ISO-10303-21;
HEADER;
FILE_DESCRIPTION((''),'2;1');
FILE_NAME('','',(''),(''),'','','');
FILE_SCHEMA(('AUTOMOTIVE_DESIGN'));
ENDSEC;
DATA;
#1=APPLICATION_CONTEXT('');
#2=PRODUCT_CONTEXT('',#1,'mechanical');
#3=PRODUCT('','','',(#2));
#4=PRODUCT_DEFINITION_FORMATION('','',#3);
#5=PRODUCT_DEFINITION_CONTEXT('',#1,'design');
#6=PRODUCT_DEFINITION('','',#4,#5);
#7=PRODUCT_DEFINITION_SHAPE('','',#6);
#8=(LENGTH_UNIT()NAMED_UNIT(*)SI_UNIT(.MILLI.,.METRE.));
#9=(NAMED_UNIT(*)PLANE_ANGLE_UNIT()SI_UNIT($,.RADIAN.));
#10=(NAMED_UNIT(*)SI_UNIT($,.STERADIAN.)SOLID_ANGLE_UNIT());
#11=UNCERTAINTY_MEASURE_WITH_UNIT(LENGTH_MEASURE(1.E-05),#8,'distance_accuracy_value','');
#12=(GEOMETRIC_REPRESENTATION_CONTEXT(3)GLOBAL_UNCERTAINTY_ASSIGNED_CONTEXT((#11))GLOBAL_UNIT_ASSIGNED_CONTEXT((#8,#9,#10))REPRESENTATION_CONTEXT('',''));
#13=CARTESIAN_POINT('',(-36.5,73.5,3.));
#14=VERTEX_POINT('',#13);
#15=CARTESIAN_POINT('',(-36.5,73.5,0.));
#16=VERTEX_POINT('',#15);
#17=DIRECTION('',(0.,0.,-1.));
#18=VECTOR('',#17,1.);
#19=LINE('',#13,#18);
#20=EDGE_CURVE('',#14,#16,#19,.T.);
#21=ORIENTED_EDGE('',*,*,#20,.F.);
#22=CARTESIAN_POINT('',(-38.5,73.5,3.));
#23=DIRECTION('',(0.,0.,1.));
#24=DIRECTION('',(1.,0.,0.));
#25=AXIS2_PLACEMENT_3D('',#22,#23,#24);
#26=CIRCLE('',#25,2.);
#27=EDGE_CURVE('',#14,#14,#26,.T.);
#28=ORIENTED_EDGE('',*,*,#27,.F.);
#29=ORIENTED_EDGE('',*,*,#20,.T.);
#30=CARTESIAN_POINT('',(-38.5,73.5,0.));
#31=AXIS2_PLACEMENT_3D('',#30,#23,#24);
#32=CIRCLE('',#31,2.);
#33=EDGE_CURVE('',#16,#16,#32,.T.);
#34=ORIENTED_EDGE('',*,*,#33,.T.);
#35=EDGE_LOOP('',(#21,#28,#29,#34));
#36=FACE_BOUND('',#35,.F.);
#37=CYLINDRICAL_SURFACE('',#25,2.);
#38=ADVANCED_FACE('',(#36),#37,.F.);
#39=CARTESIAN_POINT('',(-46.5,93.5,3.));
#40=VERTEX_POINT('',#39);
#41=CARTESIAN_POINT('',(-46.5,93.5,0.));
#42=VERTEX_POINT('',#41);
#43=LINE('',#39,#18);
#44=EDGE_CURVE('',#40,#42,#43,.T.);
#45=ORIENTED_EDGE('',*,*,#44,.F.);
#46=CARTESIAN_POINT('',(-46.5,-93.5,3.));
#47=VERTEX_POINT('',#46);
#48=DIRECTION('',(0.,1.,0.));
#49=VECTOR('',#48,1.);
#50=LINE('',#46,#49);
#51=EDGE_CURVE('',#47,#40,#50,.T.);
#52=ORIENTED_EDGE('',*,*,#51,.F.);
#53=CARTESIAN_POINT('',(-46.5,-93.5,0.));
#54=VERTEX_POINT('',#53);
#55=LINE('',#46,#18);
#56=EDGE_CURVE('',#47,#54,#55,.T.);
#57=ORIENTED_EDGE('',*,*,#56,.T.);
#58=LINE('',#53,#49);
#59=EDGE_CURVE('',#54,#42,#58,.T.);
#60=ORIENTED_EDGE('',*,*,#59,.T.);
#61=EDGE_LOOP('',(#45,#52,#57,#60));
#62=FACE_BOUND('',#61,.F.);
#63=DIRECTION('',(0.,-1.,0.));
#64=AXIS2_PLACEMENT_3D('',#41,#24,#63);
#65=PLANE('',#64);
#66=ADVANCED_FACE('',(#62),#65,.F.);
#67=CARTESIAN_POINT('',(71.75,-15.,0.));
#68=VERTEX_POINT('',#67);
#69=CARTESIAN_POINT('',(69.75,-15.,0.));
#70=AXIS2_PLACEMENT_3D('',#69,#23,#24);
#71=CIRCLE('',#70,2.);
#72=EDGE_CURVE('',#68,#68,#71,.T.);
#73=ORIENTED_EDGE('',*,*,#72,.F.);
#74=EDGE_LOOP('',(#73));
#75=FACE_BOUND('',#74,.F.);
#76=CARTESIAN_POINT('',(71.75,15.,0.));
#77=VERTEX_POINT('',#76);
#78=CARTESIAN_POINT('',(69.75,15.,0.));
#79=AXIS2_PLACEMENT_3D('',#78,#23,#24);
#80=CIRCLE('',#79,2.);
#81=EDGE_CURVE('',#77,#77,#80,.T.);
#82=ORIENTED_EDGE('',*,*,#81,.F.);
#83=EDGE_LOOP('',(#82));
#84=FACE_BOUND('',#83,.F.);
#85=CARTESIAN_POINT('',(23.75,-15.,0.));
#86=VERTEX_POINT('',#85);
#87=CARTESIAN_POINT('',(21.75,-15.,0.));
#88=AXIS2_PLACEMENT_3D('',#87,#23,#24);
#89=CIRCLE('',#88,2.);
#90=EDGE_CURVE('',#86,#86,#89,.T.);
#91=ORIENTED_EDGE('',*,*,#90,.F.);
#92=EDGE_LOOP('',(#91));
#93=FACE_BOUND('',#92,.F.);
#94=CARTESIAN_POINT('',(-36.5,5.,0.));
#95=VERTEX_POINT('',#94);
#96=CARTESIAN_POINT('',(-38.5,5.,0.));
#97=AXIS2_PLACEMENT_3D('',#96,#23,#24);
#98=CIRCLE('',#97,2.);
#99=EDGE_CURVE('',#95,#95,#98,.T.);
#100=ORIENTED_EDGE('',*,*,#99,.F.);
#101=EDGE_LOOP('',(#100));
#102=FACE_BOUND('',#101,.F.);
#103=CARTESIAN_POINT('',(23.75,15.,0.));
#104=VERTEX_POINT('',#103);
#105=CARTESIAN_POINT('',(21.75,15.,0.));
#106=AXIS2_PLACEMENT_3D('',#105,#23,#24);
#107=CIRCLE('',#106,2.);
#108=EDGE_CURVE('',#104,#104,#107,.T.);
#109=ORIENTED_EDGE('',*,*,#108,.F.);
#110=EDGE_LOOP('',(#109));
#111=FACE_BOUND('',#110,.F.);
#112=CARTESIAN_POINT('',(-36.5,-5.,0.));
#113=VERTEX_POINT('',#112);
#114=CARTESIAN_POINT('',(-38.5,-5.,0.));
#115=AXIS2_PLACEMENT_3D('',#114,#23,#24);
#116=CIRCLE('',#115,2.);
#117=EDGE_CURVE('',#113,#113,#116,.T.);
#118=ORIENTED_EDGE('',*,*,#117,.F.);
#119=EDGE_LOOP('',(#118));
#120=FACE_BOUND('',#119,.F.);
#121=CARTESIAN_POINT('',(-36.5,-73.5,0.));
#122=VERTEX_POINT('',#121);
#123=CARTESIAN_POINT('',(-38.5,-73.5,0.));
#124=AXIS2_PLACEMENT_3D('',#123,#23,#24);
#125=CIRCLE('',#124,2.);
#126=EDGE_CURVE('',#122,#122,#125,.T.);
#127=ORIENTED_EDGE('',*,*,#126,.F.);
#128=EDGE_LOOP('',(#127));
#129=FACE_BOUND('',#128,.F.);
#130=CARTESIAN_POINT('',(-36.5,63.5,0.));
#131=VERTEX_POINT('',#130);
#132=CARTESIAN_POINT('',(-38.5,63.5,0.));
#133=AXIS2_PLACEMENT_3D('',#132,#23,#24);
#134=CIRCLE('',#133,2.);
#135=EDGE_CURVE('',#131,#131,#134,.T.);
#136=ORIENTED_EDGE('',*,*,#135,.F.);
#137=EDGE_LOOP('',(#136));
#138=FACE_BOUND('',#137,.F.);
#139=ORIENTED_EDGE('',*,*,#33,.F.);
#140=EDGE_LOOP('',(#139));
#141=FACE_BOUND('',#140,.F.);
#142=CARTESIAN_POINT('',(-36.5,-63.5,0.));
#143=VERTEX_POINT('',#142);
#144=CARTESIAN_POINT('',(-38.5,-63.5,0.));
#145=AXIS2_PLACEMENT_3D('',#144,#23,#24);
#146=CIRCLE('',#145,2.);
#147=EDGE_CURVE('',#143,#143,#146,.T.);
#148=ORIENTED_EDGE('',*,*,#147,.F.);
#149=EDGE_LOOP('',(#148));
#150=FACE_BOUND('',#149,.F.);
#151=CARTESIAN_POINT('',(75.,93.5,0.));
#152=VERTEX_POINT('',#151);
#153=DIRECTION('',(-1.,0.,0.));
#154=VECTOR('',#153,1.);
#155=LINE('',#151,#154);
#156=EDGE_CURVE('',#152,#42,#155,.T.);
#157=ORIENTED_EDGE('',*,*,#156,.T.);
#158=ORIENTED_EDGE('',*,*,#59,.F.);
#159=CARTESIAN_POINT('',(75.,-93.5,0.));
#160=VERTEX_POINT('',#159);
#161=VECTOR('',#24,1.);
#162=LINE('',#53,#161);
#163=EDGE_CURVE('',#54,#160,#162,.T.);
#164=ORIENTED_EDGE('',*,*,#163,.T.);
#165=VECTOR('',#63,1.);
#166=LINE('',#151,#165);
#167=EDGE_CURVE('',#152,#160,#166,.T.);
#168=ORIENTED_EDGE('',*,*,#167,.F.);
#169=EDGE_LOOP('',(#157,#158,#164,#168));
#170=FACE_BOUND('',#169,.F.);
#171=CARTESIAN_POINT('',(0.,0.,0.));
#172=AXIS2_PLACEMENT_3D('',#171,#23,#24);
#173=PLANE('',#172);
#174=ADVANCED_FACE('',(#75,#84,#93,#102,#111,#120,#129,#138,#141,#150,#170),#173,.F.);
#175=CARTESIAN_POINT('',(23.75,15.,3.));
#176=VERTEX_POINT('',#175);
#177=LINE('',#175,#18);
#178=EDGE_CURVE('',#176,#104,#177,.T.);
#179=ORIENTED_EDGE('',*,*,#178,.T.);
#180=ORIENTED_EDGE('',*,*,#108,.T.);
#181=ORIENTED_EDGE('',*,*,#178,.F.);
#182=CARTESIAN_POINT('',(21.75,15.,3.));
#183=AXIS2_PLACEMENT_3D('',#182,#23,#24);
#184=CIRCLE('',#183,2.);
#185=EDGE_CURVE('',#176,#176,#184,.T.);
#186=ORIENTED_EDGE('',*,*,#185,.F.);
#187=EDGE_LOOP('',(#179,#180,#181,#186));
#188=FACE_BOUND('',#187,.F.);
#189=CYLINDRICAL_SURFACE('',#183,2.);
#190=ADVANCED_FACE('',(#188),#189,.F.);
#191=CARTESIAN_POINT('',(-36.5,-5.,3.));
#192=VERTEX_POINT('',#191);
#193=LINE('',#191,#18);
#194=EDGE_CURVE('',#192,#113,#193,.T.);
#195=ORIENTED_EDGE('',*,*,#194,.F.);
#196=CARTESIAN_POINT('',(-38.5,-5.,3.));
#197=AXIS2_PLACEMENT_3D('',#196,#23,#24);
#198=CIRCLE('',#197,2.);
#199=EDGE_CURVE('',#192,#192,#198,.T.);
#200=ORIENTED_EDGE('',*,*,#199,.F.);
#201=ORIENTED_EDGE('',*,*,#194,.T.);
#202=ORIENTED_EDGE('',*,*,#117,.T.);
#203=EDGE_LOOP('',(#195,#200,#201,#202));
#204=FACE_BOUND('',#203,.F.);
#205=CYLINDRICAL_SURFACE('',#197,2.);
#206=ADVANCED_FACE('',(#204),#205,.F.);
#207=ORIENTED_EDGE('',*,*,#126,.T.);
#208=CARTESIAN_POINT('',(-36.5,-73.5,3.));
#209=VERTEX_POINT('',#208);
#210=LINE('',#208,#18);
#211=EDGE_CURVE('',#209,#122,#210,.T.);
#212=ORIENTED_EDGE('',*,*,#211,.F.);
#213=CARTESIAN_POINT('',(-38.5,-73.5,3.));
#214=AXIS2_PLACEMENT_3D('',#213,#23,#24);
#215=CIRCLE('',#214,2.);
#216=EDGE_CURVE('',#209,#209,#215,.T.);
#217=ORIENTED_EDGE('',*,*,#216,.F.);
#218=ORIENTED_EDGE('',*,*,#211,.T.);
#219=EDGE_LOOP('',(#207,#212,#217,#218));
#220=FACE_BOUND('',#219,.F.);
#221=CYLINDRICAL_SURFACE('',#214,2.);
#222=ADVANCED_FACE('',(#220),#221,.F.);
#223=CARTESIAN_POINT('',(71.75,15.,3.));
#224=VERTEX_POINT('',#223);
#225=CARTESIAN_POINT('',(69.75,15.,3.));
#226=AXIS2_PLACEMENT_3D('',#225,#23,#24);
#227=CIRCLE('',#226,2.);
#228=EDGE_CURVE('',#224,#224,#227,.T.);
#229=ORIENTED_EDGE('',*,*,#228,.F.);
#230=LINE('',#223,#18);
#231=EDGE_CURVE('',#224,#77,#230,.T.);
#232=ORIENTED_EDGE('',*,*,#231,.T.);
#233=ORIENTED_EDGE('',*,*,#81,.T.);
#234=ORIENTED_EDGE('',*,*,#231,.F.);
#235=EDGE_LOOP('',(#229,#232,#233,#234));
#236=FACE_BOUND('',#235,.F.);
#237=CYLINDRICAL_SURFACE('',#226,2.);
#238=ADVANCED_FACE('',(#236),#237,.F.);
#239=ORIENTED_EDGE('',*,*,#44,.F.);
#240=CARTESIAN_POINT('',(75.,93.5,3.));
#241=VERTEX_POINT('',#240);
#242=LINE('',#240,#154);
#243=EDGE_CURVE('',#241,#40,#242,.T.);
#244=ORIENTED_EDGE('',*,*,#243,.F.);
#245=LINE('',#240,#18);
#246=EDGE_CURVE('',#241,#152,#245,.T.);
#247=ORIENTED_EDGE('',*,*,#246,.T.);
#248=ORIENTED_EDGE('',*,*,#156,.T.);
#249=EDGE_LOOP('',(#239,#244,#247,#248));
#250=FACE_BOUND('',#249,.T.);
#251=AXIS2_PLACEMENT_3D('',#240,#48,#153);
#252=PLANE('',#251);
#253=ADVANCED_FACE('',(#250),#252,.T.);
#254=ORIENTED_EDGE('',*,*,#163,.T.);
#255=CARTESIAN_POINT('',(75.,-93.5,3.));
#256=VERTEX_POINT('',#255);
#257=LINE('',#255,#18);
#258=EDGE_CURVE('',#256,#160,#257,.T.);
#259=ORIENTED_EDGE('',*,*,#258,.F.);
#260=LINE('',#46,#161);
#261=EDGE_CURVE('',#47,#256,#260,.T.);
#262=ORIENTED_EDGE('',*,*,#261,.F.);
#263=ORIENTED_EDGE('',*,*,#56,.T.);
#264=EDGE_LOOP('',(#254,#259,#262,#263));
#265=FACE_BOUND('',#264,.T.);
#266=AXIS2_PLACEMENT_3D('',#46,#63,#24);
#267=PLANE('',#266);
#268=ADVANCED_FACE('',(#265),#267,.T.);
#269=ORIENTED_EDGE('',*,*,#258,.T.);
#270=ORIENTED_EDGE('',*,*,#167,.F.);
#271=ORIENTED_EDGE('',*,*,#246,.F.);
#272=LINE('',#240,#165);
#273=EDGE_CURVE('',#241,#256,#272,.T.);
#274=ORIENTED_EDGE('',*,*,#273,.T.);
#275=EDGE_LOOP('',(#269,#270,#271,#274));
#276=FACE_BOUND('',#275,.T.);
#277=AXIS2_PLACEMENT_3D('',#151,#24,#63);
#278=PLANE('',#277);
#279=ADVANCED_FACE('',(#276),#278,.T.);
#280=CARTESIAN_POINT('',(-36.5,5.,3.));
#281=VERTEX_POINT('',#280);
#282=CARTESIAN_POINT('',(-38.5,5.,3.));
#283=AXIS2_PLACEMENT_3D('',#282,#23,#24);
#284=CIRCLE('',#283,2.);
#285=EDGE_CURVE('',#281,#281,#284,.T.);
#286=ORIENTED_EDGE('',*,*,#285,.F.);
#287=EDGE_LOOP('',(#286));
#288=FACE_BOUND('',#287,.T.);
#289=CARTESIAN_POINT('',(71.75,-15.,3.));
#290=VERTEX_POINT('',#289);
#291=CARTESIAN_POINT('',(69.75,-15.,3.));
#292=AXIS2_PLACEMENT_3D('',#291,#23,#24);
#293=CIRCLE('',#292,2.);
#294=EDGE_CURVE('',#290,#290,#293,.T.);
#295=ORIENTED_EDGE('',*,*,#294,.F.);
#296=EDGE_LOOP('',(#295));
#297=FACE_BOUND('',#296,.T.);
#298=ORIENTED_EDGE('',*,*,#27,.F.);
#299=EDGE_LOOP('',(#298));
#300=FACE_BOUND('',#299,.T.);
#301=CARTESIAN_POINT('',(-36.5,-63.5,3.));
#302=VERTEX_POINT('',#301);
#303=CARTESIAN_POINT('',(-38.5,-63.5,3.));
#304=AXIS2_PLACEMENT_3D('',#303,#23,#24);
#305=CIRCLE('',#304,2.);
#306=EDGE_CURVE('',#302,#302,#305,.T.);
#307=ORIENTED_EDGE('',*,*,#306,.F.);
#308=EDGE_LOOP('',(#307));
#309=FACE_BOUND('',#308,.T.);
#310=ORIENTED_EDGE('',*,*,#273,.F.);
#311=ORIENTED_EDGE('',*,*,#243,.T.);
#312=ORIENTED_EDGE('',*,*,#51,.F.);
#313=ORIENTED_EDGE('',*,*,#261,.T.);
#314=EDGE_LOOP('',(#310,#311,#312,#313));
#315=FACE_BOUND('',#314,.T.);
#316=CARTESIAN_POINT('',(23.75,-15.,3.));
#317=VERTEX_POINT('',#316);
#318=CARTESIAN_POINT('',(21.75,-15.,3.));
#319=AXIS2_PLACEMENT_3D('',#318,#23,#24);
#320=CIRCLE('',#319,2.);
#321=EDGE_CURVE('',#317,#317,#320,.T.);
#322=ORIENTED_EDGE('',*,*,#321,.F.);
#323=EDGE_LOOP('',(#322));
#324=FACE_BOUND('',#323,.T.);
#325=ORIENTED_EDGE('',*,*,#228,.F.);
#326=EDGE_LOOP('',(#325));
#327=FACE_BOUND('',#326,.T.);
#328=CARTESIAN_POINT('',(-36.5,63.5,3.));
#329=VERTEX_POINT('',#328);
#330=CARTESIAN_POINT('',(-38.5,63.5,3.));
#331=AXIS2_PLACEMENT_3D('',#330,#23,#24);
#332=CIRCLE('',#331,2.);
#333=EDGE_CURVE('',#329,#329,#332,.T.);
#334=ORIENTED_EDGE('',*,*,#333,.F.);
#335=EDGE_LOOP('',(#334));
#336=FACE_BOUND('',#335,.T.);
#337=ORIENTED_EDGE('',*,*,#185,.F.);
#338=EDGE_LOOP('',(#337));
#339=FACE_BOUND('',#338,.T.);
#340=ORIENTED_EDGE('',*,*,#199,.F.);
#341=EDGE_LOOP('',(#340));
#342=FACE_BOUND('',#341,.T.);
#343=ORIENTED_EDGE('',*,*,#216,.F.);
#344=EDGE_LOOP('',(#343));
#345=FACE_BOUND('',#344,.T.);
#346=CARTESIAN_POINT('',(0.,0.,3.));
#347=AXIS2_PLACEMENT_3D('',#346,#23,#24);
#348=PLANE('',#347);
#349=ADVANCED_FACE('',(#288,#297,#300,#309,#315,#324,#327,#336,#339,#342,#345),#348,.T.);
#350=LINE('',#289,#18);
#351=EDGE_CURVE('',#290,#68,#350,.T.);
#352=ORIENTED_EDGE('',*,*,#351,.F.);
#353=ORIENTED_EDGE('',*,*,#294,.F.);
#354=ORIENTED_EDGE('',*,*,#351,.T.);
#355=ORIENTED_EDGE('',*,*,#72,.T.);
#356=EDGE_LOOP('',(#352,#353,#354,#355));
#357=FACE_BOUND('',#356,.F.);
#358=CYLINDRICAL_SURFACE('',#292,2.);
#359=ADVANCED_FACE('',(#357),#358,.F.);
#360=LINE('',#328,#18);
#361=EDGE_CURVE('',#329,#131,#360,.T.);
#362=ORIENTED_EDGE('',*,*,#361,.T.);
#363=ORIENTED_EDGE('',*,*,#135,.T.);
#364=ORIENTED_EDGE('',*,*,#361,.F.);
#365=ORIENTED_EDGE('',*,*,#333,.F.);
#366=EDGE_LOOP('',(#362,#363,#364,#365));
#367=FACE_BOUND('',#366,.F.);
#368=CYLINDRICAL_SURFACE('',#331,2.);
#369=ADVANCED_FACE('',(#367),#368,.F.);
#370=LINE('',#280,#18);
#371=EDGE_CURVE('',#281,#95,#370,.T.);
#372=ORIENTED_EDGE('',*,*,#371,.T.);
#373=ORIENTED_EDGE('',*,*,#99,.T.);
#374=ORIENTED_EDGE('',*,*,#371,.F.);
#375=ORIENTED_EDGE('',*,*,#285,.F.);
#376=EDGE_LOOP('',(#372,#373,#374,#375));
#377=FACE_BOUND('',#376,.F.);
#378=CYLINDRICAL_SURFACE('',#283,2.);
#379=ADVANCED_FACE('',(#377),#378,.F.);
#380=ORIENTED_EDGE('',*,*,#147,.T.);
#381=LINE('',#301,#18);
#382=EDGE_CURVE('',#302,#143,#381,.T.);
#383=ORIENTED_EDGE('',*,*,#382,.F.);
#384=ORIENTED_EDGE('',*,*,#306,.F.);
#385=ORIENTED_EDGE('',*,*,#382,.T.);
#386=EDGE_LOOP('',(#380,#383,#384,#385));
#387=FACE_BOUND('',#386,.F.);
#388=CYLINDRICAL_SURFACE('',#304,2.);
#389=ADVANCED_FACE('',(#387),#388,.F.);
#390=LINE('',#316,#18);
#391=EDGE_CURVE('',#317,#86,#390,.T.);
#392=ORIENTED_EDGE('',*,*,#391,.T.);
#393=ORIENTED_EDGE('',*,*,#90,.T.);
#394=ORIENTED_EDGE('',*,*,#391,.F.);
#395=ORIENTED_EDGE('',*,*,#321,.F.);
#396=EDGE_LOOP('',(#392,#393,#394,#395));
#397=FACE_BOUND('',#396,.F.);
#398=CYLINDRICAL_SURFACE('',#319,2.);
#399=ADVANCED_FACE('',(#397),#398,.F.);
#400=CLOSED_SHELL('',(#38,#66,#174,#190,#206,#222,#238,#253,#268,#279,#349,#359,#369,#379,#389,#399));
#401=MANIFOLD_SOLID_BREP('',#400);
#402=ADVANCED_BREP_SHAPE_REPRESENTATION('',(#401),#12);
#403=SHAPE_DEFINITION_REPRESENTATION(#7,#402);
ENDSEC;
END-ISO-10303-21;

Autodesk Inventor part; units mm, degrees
ref_plane "YZ Plane" through (0, 0, 0) normal (1, 0, 0) x (0, 1, 0)
ref_plane "XZ Plane" through (0, 0, 0) normal (0, 1, 0) x (-1, 0, 0)
ref_plane "XY Plane" through (0, 0, 0) normal (0, 0, 1) x (1, 0, 0)
sketch "Sketch1" plane through (0, 0, 0) normal (0, 0, 1) x (1, 0, 0)
  line L0 (-90.5, -90.5) -> (90.5, -90.5)
  line L1 (90.5, -90.5) -> (90.5, 90.5)
  line L2 (90.5, 90.5) -> (-90.5, 90.5)
  line L3 (-90.5, 90.5) -> (-90.5, -90.5)
  line L4 (-90.5, -90.5) -> (90.5, 90.5) construction
  line L5 (90.5, -90.5) -> (-90.5, 90.5) construction
  point P0 (0, 0)
  dimension "d0" = 181
  dimension "d1" = 181
extrude "Extrusion1" add sketch "Sketch1" along normal blind 3
sketch "Sketch3" plane through (0, 0, 3) normal (0, 0, 1) x (1, 0, 0)
  line L0 (-90.5, 90.5) -> (-90.5, -90.5) projected
  line L1 (-90.5, 82.5) -> (-87.5, 82.5)
  line L2 (-87.5, 82.5) -> (-87.5, 67.5)
  line L3 (-87.5, 67.5) -> (-90.5, 67.5)
  line L4 (-90.5, 67.5) -> (-90.5, 82.5)
  line L5 (-85, 93.5) -> (-90.5, 93.5) projected
  line L6 (-90.5, 52.5) -> (-87.5, 52.5)
  line L7 (-87.5, 52.5) -> (-87.5, 37.5)
  line L8 (-87.5, 37.5) -> (-90.5, 37.5)
  line L9 (-90.5, 37.5) -> (-90.5, 52.5)
  line L10 (-90.5, 22.5) -> (-87.5, 22.5)
  line L11 (-87.5, 22.5) -> (-87.5, 7.5)
  line L12 (-87.5, 7.5) -> (-90.5, 7.5)
  line L13 (-90.5, 7.5) -> (-90.5, 22.5)
  line L14 (-90.5, -7.5) -> (-87.5, -7.5)
  line L15 (-87.5, -7.5) -> (-87.5, -22.5)
  line L16 (-87.5, -22.5) -> (-90.5, -22.5)
  line L17 (-90.5, -22.5) -> (-90.5, -7.5)
  line L18 (-90.5, -37.5) -> (-87.5, -37.5)
  line L19 (-87.5, -37.5) -> (-87.5, -52.5)
  line L20 (-87.5, -52.5) -> (-90.5, -52.5)
  line L21 (-90.5, -52.5) -> (-90.5, -37.5)
  line L22 (-90.5, -67.5) -> (-87.5, -67.5)
  line L23 (-87.5, -67.5) -> (-87.5, -82.5)
  line L24 (-87.5, -82.5) -> (-90.5, -82.5)
  line L25 (-90.5, -82.5) -> (-90.5, -67.5)
  line L26 (87.5, 82.5) -> (90.5, 82.5)
  line L27 (90.5, 82.5) -> (90.5, 67.5)
  line L28 (90.5, 67.5) -> (87.5, 67.5)
  line L29 (87.5, 67.5) -> (87.5, 82.5)
  line L30 (87.5, 52.5) -> (90.5, 52.5)
  line L31 (90.5, 52.5) -> (90.5, 37.5)
  line L32 (90.5, 37.5) -> (87.5, 37.5)
  line L33 (87.5, 37.5) -> (87.5, 52.5)
  line L34 (87.5, 22.5) -> (90.5, 22.5)
  line L35 (90.5, 22.5) -> (90.5, 7.5)
  line L36 (90.5, 7.5) -> (87.5, 7.5)
  line L37 (87.5, 7.5) -> (87.5, 22.5)
  line L38 (87.5, -7.5) -> (90.5, -7.5)
  line L39 (90.5, -7.5) -> (90.5, -22.5)
  line L40 (90.5, -22.5) -> (87.5, -22.5)
  line L41 (87.5, -22.5) -> (87.5, -7.5)
  line L42 (87.5, -37.5) -> (90.5, -37.5)
  line L43 (90.5, -37.5) -> (90.5, -52.5)
  line L44 (90.5, -52.5) -> (87.5, -52.5)
  line L45 (87.5, -52.5) -> (87.5, -37.5)
  line L46 (87.5, -67.5) -> (90.5, -67.5)
  line L47 (90.5, -67.5) -> (90.5, -82.5)
  line L48 (90.5, -82.5) -> (87.5, -82.5)
  line L49 (87.5, -82.5) -> (87.5, -67.5)
  point P0 (0, 0)
  point P1 (-90.5, -93.5)
  dimension "d27" = 3
  dimension "d28" = 15
  dimension "d29" = 11
  dimension "d32" = 30
  dimension "d35" = 178
extrude "Extrusion3" cut sketch "Sketch3" against normal blind 3
sketch "Sketch4" plane through (0, 0, 3) normal (0, 0, 1) x (1, 0, 0)
  line L0 (80, 93.5) -> (85.5, 93.5) projected
  line L1 (90.5, 90.5) -> (-90.5, 90.5) projected
  line L2 (85.5, 93.5) -> (90.5, 93.5)
  line L3 (90.5, 93.5) -> (90.5, 90.5)
  line L4 (90.5, 90.5) -> (85.5, 90.5)
  line L5 (85.5, 90.5) -> (85.5, 93.5)
  line L6 (-90.5, -90.5) -> (90.5, -90.5) projected
  line L7 (85.5, -90.5) -> (90.5, -90.5)
  line L8 (90.5, -90.5) -> (90.5, -93.5)
  line L9 (90.5, -93.5) -> (85.5, -93.5)
  line L10 (85.5, -93.5) -> (85.5, -90.5)
  point P0 (0, 0)
  point P1 (85.5, 90.5)
  dimension "d40" = 184
extrude "Extrusion4" add sketch "Sketch4" against normal blind 3
sketch "Sketch6" plane through (0, 0, 0) normal (0, 0, -1) x (-1, 0, 0)
  line L0 (-90.5, 82.5) -> (-90.5, 93.5) projected
  line L1 (-90.5, 93.5) -> (-75, 93.5)
  line L2 (-75, 93.5) -> (-75, -93.5)
  line L3 (-75, -93.5) -> (-90.5, -93.5)
  line L4 (-90.5, -93.5) -> (-90.5, 93.5)
  line L5 (85, 93.5) -> (90.5, 93.5) projected
  line L6 (90.5, 93.5) -> (46.5, 93.5)
  line L7 (46.5, 93.5) -> (46.5, -93.5)
  line L8 (46.5, -93.5) -> (90.5, -93.5)
  line L9 (90.5, -93.5) -> (90.5, 93.5)
  point P0 (0, 0)
  dimension "d47" = 15.5
  dimension "d48" = 44
  dimension "d49" = 187
  dimension "d50" = 187
extrude "Extrusion6" cut sketch "Sketch6" against normal blind 10
sketch "Sketch7" plane through (0, 0, 3) normal (0, 0, 1) x (1, 0, 0)
  circle A0 centre (-38.5, 73.5) radius 2
  circle A1 centre (-38.5, 63.5) radius 2
  circle A2 centre (-38.5, 5) radius 2
  circle A3 centre (-38.5, -5) radius 2
  circle A4 centre (-38.5, -63.5) radius 2
  circle A5 centre (-38.5, -73.5) radius 2
  line L0 (-40, 93.5) -> (-25, 93.5) projected
  line L1 (-25, -93.5) -> (-40, -93.5) projected
  line L2 (-46.5, 90.5) -> (-46.5, -90.5) projected
  point P0 (0, 0)
  dimension "d53" = 4
  dimension "d54" = 4
  dimension "d55" = 4
  dimension "d56" = 4
  dimension "d57" = 4
  dimension "d58" = 4
  dimension "d59" = 0
  dimension "d60" = 0
  dimension "d61" = 0
  dimension "d62" = 10
  dimension "d63" = 10
  dimension "d64" = 10
  dimension "d65" = 20
  dimension "d66" = 20
  dimension "d67" = 8
  dimension "d68" = 8
  dimension "d69" = 8
  dimension "d70" = 5
extrude "Extrusion7" cut sketch "Sketch7" against normal blind 10
sketch "Sketch8" plane through (0, 0, 3) normal (0, 0, 1) x (1, 0, 0)
  line L0 (-46.5, 90.5) -> (75, 90.5)
  line L1 (75, 90.5) -> (75, 93.5)
  line L2 (75, 93.5) -> (-46.5, 93.5)
  line L3 (-46.5, 93.5) -> (-46.5, 90.5)
  line L4 (-46.5, -93.5) -> (75, -93.5)
  line L5 (75, -93.5) -> (75, -90.5)
  line L6 (75, -90.5) -> (-46.5, -90.5)
  line L7 (-46.5, -90.5) -> (-46.5, -93.5)
  point P0 (0, 0)
  dimension "d81" = 121.5
  dimension "d82" = 3
  dimension "d85" = 184
extrude "Extrusion8" add sketch "Sketch8" against normal blind 3
sketch "Sketch9" plane through (0, 0, 3) normal (0, 0, 1) x (1, 0, 0)
  line L0 (21.75, 15) -> (69.75, 15) construction
  line L1 (69.75, 15) -> (69.75, -15) construction
  line L2 (69.75, -15) -> (21.75, -15) construction
  line L3 (21.75, -15) -> (21.75, 15) construction
  line L4 (21.75, 15) -> (69.75, -15) construction
  line L5 (69.75, 15) -> (21.75, -15) construction
  line L6 (75, -93.5) -> (75, 93.5) projected
  circle A0 centre (21.75, 15) radius 2
  circle A1 centre (69.75, 15) radius 2
  circle A2 centre (69.75, -15) radius 2
  circle A3 centre (21.75, -15) radius 2
  point P0 (0, 0)
  point P1 (45.75, 0)
  dimension "d92" = 48
  dimension "d93" = 30
  dimension "d94" = 0
  dimension "d95" = 5.25
  dimension "d96" = 4
  dimension "d97" = 4
  dimension "d98" = 4
  dimension "d99" = 4
extrude "Extrusion9" cut sketch "Sketch9" against normal blind 3
equation "\"d54\" = d53"
equation "\"d55\" = d53"
equation "\"d56\" = d55"
equation "\"d57\" = d56"
equation "\"d58\" = d57"
equation "\"d63\" = d62"
equation "\"d64\" = d62"
equation "\"d68\" = d67"
equation "\"d69\" = d67"
equation "\"BendRadius\" = Thickness"
equation "\"BendReliefWidth\" = Thickness"
equation "\"BendReliefDepth\" = 0.5 * Thickness"
equation "\"CornerReliefSize\" = 4 * Thickness"
equation "\"MinimumRemnant\" = 2 * Thickness"
equation "\"TransitionRadius\" = BendRadius"
equation "\"JacobiRadiusSize\" = BendRadius"
equation "\"GapSize\" = Thickness"
equation "\"Thickness\" = 0.5"
properties part number "11 deur plaat"
